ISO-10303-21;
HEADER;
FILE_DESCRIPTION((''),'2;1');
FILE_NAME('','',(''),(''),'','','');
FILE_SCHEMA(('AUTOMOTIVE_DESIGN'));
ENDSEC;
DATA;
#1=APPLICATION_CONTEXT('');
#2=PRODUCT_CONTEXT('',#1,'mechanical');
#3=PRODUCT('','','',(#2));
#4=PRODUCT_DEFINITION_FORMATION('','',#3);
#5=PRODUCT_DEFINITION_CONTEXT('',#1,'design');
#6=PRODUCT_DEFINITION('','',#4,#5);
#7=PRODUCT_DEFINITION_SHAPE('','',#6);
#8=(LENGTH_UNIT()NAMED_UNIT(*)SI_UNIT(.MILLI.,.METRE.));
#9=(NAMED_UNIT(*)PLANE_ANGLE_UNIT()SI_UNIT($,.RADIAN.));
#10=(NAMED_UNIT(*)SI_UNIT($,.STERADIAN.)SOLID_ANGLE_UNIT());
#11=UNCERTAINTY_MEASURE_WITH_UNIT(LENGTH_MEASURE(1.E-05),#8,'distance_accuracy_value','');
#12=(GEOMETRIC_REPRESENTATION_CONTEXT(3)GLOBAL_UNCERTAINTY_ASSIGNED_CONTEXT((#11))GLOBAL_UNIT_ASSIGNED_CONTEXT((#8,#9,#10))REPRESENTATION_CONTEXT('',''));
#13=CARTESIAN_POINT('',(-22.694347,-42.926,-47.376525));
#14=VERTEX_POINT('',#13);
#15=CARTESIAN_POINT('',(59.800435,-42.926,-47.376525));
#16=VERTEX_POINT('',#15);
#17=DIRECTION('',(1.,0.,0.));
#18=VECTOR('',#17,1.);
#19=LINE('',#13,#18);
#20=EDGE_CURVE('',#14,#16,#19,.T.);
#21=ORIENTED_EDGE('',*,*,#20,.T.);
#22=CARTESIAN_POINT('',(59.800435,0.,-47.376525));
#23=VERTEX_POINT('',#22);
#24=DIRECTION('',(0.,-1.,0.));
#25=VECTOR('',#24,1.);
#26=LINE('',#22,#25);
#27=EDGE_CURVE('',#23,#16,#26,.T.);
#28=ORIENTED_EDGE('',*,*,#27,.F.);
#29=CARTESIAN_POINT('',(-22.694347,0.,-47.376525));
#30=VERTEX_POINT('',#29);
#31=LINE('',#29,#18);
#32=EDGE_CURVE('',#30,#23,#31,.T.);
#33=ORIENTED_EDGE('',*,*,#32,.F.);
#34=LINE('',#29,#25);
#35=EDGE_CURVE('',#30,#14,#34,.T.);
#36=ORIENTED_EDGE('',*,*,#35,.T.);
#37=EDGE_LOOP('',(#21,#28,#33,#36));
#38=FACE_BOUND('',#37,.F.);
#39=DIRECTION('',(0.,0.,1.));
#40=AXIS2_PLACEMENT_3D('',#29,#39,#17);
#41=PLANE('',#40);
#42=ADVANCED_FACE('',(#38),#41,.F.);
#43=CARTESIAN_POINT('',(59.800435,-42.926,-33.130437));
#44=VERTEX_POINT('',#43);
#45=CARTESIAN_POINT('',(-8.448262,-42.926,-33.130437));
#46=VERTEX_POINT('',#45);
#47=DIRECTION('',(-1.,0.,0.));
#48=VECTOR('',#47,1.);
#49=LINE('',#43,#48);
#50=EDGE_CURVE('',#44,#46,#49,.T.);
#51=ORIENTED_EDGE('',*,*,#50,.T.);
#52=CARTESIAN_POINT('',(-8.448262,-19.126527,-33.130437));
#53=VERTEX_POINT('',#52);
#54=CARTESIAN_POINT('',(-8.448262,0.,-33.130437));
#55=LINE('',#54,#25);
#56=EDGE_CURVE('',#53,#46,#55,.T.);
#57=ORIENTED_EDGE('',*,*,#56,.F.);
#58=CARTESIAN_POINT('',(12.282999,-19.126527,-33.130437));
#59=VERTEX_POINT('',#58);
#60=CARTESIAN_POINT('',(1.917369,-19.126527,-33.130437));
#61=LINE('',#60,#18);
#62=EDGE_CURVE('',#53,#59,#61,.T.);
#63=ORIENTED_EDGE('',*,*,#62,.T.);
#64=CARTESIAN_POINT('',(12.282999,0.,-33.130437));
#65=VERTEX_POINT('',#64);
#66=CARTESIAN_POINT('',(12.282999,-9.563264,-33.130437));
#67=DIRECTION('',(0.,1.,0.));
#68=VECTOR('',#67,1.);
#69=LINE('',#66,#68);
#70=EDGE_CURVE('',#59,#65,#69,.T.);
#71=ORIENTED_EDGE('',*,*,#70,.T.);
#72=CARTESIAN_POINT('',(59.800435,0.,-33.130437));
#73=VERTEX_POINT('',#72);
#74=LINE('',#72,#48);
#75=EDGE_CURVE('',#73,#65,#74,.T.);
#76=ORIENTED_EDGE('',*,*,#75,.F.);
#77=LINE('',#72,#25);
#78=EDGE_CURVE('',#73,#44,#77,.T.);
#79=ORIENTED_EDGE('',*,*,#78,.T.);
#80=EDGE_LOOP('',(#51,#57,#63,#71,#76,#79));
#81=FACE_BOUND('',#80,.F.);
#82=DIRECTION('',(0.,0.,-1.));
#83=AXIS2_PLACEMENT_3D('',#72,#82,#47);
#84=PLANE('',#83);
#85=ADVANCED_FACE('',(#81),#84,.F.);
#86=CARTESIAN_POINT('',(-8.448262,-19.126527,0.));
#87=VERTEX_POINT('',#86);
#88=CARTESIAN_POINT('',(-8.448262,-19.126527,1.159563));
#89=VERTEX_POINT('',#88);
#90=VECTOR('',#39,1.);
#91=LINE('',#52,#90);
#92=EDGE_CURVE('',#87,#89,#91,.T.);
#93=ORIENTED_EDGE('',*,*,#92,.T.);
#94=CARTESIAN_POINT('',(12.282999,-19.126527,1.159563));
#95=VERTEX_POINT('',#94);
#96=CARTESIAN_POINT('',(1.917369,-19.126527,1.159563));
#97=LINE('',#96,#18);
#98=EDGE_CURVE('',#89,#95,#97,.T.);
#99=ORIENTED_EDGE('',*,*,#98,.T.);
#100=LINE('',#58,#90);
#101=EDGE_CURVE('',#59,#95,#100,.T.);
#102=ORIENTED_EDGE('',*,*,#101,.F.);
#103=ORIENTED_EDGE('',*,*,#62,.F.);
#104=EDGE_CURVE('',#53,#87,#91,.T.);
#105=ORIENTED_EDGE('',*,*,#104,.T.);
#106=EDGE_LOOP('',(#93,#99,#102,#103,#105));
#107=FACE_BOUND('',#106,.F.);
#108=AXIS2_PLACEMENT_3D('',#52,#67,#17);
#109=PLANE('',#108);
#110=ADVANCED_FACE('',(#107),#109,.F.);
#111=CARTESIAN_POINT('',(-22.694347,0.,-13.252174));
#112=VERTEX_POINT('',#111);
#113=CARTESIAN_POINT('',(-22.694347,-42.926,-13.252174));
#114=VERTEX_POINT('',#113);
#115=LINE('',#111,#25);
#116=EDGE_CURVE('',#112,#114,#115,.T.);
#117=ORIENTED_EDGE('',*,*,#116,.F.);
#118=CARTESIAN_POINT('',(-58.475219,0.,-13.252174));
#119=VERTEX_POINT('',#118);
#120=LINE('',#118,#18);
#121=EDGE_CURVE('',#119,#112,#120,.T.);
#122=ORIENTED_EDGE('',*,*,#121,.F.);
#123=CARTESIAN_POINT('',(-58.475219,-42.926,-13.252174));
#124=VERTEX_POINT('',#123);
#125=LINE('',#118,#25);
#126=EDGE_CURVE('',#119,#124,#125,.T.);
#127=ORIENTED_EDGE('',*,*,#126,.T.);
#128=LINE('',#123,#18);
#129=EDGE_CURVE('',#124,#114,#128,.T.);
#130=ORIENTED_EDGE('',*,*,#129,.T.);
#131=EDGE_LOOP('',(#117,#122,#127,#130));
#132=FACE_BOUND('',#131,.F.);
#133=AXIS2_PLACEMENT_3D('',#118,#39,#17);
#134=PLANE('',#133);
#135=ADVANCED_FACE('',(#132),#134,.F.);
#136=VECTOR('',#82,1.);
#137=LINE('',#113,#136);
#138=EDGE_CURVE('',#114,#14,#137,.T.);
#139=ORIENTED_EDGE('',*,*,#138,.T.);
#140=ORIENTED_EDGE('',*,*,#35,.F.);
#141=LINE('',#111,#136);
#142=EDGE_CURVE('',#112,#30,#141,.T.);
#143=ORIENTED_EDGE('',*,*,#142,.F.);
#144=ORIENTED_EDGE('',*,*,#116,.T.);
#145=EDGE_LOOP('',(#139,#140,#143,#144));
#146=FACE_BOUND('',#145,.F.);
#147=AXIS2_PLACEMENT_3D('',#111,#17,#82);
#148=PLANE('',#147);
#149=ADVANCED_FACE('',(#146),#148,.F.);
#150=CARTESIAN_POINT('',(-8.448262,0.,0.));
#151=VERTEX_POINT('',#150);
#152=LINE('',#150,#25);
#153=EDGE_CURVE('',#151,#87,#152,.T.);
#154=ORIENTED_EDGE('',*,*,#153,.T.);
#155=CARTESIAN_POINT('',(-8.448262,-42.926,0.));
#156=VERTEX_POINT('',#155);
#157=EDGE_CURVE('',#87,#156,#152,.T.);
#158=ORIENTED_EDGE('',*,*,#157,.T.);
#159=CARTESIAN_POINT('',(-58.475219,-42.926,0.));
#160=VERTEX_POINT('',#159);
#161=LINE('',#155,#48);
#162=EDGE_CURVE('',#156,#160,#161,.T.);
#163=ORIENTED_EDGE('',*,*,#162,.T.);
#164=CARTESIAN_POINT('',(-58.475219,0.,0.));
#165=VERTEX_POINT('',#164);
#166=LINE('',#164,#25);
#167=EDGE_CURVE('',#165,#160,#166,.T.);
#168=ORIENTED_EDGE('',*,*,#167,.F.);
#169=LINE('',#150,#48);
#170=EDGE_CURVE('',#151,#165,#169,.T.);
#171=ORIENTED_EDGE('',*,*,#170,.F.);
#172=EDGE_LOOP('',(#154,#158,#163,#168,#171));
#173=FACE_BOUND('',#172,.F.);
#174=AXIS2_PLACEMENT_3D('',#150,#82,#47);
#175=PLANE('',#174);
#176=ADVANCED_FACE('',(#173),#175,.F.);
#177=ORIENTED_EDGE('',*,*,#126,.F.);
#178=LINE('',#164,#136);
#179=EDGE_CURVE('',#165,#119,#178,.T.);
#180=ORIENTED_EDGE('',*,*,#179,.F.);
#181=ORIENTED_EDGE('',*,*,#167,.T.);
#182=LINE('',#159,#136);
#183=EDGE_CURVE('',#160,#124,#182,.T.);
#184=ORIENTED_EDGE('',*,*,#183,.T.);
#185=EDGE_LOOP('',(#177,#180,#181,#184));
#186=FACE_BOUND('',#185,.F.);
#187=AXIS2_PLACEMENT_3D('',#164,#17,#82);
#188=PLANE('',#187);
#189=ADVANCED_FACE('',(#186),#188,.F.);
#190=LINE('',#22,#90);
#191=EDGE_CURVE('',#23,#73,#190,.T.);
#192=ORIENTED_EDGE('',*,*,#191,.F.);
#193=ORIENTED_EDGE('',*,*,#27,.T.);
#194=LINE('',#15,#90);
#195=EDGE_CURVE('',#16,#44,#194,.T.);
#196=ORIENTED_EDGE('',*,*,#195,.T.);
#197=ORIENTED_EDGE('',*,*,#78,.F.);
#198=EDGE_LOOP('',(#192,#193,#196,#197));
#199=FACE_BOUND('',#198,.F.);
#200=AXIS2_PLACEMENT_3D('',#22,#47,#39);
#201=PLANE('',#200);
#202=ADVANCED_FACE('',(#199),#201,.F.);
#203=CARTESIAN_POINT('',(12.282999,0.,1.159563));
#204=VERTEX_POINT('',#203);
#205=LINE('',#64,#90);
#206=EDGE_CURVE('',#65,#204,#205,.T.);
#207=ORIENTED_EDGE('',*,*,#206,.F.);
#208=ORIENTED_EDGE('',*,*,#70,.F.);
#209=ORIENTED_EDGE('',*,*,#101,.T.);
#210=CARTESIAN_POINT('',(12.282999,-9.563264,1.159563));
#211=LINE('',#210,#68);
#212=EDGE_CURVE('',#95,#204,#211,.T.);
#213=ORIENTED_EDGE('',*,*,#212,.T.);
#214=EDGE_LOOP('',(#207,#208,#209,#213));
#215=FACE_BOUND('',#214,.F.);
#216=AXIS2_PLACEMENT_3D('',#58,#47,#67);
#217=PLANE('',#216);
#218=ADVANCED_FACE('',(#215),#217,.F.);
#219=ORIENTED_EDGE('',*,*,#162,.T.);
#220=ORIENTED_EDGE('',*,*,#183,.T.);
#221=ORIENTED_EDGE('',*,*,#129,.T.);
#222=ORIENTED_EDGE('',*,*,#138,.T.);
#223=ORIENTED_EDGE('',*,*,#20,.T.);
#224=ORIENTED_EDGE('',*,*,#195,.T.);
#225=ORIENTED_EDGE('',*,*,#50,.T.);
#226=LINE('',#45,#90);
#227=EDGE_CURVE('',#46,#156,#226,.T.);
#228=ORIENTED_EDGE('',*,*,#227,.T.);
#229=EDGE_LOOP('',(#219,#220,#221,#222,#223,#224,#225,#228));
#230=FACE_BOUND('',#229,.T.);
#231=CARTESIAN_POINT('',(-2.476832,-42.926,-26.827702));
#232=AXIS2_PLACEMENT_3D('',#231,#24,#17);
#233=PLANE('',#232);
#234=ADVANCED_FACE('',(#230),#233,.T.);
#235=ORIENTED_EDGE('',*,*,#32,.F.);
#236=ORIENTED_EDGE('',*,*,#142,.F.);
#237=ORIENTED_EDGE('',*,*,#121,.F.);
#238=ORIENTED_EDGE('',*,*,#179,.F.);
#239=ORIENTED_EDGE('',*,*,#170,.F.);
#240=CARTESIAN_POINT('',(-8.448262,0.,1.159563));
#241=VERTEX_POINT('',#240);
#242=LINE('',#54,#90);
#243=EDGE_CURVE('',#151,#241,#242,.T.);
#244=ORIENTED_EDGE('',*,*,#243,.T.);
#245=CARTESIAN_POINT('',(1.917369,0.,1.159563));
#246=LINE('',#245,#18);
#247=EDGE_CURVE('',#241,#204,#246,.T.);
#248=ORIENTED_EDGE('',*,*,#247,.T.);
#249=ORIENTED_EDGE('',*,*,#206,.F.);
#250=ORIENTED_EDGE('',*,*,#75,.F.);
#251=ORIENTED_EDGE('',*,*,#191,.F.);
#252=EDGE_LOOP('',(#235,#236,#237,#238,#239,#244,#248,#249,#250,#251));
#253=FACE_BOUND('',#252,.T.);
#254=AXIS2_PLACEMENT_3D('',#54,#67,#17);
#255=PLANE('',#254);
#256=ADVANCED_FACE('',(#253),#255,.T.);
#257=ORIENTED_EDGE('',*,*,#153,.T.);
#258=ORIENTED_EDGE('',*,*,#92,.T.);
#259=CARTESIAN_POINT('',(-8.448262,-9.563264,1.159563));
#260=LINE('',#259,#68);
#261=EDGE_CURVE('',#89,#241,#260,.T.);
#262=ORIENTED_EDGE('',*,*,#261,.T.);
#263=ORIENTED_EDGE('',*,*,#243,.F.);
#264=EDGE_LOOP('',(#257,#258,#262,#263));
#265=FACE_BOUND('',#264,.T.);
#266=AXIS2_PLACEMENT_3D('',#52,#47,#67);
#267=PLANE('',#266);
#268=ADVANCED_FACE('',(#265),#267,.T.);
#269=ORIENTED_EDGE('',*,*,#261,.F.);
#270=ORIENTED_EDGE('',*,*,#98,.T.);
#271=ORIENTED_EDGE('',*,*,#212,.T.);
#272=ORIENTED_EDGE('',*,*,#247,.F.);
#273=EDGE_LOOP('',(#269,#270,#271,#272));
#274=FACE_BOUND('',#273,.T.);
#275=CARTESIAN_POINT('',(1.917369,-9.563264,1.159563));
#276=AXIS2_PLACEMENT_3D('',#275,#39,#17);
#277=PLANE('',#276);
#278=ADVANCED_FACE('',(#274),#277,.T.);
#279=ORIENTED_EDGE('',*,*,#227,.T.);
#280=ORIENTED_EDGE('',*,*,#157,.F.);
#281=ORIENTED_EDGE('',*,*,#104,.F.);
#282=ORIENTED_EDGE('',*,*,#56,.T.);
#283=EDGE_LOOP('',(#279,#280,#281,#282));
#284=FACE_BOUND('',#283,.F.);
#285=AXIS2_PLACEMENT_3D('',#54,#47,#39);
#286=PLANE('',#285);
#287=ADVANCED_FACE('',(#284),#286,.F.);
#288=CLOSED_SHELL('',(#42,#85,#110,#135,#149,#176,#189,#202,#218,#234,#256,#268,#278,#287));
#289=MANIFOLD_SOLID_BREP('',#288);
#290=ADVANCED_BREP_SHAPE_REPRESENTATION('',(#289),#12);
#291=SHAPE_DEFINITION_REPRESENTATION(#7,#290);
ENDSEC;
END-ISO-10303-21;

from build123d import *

# Parameters (mm, degrees)
F1_DEPTH = 42.926
F2_W     = 20.731261
F2_H     = 19.1265270114
F3_DEPTH = 34.29


with BuildPart() as f1:
    # F0 (on Front) → F1 (new body)
    with BuildSketch(Plane.XZ):
        Polygon((-22.6943474263, -47.376524657), (59.8004348576, -47.376524657), (59.8004348576, -33.1304371357), (-8.4482617676, -33.1304371357), (-8.4482617676, 0), (-58.4752187133, 0), (-58.4752187133, -13.2521744817), (-22.6943474263, -13.2521744817), align=None)
    extrude(amount=F1_DEPTH)

    # F2 (on face) → F3 (join)
    with BuildSketch(Plane.XY.offset(-33.1304371357)):
        with Locations((1.9173687324, -9.5632635057)):
            Rectangle(F2_W, F2_H)
    extrude(amount=F3_DEPTH)


solid = f1.part
